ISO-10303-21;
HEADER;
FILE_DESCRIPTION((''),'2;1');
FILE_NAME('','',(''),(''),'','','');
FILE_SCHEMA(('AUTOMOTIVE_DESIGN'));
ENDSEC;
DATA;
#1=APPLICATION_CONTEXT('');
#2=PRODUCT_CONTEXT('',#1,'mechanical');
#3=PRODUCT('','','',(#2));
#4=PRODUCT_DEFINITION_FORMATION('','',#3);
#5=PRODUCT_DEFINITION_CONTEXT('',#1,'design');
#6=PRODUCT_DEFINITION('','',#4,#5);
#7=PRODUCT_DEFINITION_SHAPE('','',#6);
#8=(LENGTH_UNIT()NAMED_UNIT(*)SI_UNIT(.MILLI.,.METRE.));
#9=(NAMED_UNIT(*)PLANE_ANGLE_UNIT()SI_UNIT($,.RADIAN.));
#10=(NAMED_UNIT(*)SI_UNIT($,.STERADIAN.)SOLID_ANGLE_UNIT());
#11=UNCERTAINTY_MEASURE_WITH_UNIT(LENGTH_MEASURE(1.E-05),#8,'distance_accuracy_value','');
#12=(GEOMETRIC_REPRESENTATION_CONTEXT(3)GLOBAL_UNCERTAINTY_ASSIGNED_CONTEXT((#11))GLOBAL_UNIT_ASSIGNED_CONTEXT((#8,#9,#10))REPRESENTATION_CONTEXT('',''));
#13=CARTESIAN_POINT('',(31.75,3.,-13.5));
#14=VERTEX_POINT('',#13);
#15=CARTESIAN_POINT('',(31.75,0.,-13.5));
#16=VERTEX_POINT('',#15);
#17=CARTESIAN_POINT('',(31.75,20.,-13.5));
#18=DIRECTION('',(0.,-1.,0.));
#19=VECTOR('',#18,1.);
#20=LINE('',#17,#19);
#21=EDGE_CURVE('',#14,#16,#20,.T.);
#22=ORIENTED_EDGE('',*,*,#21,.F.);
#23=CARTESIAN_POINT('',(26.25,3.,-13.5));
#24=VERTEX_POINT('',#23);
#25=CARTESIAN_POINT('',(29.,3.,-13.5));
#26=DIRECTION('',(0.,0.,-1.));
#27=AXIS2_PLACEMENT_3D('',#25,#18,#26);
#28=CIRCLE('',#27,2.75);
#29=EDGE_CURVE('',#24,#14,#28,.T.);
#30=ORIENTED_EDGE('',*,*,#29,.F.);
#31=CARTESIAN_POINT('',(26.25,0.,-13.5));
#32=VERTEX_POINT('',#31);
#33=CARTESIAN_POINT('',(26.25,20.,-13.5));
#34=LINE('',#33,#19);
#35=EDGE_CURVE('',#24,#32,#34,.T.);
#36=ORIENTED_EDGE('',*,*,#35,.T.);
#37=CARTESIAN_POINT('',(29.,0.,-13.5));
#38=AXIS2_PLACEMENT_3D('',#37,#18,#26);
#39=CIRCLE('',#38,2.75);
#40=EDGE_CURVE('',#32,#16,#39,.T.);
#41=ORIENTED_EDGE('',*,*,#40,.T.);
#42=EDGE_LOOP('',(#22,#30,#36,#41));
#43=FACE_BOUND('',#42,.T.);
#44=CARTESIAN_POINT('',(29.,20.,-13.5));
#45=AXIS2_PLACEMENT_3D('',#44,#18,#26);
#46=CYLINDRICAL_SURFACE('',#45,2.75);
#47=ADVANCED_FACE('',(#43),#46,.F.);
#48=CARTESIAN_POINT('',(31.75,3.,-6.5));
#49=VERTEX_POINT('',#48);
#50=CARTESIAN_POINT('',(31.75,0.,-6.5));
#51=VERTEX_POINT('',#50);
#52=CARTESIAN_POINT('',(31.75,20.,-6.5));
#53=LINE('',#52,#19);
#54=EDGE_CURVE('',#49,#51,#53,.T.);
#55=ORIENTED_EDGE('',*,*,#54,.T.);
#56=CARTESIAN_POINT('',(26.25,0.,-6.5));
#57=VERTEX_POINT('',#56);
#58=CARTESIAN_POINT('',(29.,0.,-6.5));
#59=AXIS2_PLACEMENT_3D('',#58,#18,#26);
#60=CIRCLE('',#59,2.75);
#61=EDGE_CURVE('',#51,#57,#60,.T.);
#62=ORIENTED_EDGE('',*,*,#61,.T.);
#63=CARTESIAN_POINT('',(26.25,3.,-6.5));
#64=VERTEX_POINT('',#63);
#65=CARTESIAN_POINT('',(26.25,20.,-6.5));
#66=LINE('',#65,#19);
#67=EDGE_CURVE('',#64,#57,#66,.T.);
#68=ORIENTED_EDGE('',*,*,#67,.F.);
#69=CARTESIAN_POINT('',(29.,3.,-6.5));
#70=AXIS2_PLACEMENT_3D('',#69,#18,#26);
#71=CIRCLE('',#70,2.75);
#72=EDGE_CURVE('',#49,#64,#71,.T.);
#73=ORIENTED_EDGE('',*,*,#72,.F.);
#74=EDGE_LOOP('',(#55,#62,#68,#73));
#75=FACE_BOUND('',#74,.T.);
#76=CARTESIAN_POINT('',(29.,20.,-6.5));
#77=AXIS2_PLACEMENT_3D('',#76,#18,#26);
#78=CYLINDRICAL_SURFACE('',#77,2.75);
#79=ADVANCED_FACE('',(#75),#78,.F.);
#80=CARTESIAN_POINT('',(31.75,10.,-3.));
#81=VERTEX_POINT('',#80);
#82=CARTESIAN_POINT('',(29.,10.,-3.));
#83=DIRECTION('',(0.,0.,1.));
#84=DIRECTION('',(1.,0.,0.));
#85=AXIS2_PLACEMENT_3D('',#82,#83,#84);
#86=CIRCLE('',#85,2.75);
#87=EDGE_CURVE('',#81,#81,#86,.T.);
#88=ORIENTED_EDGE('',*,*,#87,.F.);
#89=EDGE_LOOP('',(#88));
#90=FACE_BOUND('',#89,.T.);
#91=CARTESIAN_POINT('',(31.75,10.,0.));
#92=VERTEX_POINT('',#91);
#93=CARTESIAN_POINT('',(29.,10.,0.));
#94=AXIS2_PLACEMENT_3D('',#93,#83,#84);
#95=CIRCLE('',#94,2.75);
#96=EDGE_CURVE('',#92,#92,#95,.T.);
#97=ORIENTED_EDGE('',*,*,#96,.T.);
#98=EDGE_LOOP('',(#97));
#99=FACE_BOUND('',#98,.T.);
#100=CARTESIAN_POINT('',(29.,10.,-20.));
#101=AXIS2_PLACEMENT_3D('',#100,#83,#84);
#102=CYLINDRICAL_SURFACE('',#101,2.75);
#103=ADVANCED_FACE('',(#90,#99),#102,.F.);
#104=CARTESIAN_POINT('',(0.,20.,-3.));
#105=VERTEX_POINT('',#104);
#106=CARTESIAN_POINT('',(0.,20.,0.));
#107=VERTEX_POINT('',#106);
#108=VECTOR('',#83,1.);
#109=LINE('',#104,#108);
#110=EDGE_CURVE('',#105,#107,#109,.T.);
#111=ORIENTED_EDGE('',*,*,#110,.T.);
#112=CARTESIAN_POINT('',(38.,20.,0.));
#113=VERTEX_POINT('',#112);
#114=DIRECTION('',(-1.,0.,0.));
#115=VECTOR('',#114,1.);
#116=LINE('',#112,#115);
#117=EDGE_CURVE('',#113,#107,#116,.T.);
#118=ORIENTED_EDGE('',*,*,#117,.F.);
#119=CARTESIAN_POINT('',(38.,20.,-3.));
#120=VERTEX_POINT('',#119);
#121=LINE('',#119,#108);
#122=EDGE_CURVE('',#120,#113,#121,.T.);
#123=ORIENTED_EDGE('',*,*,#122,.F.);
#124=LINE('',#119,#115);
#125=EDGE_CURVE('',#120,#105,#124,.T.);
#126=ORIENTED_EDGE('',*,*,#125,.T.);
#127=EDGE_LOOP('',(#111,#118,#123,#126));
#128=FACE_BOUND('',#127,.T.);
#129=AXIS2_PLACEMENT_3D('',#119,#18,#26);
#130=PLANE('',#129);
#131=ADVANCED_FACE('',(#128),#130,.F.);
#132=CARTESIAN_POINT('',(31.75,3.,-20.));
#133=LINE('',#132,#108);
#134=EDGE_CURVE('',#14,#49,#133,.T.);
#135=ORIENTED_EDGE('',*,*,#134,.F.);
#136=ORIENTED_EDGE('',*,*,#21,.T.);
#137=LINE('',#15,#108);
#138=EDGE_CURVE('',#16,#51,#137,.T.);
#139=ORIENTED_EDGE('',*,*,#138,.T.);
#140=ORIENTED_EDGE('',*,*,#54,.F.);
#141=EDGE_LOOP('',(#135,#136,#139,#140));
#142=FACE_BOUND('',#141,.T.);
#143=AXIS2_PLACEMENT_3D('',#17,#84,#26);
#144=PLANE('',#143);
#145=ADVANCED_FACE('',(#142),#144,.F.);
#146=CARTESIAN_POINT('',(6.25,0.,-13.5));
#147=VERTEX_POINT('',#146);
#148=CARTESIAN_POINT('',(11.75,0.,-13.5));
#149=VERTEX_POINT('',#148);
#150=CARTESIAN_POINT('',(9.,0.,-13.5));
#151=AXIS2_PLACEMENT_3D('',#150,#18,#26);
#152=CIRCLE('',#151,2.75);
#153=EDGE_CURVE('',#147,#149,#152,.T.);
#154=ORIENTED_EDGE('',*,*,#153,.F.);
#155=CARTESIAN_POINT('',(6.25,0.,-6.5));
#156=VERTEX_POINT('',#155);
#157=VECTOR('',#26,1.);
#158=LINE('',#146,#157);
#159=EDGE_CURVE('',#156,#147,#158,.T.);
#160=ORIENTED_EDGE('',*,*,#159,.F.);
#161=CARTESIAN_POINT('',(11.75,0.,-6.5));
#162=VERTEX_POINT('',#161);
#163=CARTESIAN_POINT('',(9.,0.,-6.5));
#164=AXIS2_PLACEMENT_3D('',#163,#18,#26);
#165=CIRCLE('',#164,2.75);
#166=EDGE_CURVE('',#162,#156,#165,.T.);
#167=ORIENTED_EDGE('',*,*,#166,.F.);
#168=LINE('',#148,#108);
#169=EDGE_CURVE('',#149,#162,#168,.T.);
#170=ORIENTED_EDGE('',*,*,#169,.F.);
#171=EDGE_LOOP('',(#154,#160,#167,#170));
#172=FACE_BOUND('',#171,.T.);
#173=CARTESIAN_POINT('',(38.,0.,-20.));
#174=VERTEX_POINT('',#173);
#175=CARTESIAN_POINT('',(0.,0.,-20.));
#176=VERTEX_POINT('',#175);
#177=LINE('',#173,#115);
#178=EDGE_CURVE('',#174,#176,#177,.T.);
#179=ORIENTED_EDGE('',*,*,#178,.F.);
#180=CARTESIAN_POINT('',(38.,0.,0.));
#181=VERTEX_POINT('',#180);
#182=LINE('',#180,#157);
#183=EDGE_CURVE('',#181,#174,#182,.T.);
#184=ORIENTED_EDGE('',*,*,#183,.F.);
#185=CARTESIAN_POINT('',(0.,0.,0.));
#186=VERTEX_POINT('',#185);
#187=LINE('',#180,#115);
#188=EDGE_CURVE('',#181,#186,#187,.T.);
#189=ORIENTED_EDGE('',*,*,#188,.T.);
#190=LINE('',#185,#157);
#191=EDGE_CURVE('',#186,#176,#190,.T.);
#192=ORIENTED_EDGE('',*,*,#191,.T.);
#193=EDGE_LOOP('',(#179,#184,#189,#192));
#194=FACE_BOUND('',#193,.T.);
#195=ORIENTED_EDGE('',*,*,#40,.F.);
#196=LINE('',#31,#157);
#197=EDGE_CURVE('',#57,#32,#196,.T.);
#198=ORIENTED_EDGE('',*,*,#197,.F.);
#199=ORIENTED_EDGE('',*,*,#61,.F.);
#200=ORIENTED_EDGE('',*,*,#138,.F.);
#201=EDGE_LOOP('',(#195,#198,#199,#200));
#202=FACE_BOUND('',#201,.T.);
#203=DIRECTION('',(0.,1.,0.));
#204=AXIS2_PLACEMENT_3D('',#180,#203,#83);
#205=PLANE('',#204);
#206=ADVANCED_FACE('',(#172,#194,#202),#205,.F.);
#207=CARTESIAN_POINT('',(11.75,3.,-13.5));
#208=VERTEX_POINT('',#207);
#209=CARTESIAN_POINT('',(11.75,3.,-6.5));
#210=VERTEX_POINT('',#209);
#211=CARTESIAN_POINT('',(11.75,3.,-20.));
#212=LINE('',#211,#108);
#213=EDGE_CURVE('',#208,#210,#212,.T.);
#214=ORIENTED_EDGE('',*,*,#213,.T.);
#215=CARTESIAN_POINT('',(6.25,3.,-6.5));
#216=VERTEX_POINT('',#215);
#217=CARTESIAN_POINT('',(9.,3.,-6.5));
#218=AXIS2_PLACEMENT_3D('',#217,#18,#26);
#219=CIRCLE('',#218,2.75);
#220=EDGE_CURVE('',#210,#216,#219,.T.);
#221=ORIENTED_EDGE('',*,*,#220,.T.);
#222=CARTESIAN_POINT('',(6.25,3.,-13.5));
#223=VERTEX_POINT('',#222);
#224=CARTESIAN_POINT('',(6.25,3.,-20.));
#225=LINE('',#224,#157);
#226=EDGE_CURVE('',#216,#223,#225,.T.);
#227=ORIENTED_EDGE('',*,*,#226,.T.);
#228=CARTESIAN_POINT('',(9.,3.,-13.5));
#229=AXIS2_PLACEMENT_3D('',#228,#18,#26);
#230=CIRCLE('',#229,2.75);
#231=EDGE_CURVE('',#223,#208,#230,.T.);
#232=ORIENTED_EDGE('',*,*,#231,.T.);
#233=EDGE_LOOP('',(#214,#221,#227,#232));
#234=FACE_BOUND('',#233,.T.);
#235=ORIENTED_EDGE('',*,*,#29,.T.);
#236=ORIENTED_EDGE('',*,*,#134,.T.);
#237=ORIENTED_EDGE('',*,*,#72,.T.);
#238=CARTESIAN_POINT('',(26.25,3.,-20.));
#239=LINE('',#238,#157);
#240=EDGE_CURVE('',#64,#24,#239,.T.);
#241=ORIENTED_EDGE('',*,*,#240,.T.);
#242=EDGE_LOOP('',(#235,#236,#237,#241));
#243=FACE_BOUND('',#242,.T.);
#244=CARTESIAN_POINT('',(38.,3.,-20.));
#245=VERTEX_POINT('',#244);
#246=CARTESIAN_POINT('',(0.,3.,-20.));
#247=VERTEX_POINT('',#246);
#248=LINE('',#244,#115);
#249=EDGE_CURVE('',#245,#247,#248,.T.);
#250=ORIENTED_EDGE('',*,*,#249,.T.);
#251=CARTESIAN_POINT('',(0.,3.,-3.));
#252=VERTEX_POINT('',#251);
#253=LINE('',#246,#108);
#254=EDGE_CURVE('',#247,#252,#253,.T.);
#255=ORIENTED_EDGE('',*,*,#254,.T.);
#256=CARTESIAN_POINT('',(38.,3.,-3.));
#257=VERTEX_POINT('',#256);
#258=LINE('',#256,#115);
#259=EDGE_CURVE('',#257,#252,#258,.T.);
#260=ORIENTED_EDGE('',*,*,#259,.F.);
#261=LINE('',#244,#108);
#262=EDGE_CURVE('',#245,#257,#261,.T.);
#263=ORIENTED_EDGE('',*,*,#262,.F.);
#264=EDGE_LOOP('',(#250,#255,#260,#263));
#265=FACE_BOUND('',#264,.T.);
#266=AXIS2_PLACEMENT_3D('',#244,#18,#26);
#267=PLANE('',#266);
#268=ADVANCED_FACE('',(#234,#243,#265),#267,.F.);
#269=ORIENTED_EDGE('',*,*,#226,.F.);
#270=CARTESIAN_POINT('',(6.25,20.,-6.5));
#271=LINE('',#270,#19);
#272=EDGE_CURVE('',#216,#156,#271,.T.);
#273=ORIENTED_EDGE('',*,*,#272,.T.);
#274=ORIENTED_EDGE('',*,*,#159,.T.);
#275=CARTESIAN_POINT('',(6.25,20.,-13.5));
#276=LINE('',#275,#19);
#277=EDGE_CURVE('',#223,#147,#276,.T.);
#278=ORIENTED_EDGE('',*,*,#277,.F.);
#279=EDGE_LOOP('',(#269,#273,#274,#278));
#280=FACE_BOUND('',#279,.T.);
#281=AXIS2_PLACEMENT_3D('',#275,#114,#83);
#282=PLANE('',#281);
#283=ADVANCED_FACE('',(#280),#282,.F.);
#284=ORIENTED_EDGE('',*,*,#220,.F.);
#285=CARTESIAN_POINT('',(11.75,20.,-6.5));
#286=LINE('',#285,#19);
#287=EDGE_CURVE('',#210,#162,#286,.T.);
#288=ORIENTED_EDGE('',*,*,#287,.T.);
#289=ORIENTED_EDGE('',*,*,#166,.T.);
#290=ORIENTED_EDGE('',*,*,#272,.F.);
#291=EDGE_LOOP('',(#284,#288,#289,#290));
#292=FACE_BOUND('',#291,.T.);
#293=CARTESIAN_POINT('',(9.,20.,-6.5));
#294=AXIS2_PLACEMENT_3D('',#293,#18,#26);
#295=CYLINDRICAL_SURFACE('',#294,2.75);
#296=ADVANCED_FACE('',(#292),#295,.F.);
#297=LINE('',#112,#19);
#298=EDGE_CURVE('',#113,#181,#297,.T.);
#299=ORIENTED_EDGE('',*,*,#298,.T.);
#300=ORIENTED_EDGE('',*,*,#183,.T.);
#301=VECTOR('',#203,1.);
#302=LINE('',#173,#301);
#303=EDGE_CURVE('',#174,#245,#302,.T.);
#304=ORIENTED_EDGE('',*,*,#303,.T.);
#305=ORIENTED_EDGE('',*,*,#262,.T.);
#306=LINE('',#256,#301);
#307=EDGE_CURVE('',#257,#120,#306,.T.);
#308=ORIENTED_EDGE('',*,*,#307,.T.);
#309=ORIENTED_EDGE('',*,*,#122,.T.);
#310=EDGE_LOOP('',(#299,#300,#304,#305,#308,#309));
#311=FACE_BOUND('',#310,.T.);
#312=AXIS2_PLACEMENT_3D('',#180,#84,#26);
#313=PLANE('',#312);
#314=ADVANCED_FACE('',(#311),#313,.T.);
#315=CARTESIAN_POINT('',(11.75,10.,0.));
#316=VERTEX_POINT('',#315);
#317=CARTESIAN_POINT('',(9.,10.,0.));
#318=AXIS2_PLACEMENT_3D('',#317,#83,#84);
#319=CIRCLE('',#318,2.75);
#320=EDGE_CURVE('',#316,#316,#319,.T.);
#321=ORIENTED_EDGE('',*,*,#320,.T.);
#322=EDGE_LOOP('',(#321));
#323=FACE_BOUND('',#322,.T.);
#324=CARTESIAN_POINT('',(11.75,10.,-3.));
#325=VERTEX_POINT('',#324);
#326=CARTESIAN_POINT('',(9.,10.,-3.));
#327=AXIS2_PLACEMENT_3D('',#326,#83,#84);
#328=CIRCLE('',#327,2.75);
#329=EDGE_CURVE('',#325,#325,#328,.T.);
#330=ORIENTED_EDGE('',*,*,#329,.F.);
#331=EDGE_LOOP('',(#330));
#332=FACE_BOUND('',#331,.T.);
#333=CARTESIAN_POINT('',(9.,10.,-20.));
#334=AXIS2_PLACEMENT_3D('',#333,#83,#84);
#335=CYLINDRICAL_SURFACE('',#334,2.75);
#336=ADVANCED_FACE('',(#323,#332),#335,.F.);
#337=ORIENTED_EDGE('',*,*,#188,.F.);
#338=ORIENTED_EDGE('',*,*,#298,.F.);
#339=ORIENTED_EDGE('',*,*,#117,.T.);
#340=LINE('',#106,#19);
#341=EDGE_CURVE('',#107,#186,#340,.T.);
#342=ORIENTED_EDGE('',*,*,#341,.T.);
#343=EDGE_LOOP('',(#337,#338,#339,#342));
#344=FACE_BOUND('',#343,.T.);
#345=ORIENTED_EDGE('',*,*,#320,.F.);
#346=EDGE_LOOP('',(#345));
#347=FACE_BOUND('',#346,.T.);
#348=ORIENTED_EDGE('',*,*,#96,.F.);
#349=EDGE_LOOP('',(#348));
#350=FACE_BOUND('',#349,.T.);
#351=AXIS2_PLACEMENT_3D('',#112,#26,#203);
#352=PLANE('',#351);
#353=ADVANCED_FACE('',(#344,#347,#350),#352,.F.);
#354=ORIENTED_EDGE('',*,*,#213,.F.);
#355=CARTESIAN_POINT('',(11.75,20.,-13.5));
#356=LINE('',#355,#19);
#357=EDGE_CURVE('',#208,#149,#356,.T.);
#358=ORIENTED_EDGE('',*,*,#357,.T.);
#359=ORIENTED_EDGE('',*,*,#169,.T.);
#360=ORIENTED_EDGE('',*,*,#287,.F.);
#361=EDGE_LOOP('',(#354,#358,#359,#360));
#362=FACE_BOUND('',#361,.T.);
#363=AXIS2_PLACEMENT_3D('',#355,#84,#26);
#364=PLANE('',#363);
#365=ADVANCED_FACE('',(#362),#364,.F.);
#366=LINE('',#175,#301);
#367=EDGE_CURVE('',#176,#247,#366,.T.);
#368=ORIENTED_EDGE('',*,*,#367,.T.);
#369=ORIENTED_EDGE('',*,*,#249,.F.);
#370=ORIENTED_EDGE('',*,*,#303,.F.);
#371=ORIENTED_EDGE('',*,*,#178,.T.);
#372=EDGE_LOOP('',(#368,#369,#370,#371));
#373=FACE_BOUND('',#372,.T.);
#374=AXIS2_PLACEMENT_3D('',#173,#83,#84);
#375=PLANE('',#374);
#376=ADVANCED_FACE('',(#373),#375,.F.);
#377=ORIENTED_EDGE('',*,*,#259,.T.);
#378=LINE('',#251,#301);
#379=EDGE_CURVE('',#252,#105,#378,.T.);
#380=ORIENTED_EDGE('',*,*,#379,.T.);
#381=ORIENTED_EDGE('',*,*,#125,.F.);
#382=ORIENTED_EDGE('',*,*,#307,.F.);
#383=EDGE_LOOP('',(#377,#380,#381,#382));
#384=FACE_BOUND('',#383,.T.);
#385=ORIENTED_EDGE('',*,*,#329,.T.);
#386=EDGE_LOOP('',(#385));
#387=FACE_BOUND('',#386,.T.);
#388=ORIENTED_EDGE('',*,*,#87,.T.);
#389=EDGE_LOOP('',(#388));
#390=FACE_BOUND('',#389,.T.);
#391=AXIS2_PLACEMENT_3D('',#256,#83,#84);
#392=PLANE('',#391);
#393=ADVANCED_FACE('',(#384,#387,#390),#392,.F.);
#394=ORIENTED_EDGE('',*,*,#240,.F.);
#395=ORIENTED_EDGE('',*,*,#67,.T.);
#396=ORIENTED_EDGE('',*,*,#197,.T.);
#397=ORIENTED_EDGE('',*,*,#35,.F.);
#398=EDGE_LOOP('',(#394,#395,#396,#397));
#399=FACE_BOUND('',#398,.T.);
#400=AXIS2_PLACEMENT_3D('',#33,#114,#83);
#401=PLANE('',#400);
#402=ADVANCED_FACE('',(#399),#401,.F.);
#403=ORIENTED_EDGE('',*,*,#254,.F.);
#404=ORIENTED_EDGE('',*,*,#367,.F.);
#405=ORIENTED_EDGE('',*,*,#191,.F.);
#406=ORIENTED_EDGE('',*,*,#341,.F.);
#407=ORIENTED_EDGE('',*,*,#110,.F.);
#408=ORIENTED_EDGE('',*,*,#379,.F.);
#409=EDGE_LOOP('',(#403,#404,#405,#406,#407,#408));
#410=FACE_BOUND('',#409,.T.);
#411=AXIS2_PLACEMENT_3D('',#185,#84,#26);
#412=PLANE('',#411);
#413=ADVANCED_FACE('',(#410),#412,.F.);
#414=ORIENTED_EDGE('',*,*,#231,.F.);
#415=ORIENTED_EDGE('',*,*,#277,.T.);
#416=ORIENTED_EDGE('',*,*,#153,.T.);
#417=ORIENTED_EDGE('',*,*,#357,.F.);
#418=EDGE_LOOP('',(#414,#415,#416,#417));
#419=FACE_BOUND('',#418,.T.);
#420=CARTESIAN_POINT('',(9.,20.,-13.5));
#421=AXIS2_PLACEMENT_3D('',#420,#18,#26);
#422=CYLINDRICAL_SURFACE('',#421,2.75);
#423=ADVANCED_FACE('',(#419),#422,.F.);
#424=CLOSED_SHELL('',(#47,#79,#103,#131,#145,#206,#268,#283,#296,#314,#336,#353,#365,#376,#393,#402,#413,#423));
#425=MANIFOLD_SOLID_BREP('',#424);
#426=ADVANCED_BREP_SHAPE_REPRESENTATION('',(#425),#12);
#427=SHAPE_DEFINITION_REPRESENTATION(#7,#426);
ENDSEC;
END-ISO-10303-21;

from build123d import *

# Parameters (mm, degrees)
EXTRUDE_1_DEPTH     = 38
SKETCH_2_R          = 2.75
CUT_EXTRUDE_1_DEPTH = 21
CUT_EXTRUDE_2_DEPTH = 21


with BuildPart() as part:
    # 草图1 → 凸台-拉伸1 (new body)
    with BuildSketch(Plane(origin=(0, 0, 0), x_dir=(0, 0, -1), z_dir=(1, 0, 0))):
        Polygon((0, 0), (20, 0), (20, 3), (3, 3), (3, 20), (0, 20), align=None)
    extrude(amount=EXTRUDE_1_DEPTH)

    # 草图2 → 切除-拉伸1 (cut, through all)
    with BuildSketch(Plane.XY):
        with Locations((9, 10)):
            Circle(SKETCH_2_R)
        with Locations((29, 10)):
            Circle(SKETCH_2_R)
    extrude(amount=-CUT_EXTRUDE_1_DEPTH, mode=Mode.SUBTRACT)

    # 草图3 → 切除-拉伸2 (cut, through all)
    with BuildSketch(Plane.XZ):
        with BuildLine():
            Line((6.25, -13.5), (6.25, -6.5))
            ThreePointArc((6.25, -6.5), (9, -3.75), (11.75, -6.5))
            Line((11.75, -6.5), (11.75, -13.5))
            ThreePointArc((11.75, -13.5), (9, -16.25), (6.25, -13.5))
        make_face()
        with BuildLine():
            Line((26.25, -13.5), (26.25, -6.5))
            ThreePointArc((26.25, -6.5), (29, -3.75), (31.75, -6.5))
            Line((31.75, -6.5), (31.75, -13.5))
            ThreePointArc((31.75, -13.5), (29, -16.25), (26.25, -13.5))
        make_face()
    extrude(amount=-CUT_EXTRUDE_2_DEPTH, mode=Mode.SUBTRACT)


solid = part.part
